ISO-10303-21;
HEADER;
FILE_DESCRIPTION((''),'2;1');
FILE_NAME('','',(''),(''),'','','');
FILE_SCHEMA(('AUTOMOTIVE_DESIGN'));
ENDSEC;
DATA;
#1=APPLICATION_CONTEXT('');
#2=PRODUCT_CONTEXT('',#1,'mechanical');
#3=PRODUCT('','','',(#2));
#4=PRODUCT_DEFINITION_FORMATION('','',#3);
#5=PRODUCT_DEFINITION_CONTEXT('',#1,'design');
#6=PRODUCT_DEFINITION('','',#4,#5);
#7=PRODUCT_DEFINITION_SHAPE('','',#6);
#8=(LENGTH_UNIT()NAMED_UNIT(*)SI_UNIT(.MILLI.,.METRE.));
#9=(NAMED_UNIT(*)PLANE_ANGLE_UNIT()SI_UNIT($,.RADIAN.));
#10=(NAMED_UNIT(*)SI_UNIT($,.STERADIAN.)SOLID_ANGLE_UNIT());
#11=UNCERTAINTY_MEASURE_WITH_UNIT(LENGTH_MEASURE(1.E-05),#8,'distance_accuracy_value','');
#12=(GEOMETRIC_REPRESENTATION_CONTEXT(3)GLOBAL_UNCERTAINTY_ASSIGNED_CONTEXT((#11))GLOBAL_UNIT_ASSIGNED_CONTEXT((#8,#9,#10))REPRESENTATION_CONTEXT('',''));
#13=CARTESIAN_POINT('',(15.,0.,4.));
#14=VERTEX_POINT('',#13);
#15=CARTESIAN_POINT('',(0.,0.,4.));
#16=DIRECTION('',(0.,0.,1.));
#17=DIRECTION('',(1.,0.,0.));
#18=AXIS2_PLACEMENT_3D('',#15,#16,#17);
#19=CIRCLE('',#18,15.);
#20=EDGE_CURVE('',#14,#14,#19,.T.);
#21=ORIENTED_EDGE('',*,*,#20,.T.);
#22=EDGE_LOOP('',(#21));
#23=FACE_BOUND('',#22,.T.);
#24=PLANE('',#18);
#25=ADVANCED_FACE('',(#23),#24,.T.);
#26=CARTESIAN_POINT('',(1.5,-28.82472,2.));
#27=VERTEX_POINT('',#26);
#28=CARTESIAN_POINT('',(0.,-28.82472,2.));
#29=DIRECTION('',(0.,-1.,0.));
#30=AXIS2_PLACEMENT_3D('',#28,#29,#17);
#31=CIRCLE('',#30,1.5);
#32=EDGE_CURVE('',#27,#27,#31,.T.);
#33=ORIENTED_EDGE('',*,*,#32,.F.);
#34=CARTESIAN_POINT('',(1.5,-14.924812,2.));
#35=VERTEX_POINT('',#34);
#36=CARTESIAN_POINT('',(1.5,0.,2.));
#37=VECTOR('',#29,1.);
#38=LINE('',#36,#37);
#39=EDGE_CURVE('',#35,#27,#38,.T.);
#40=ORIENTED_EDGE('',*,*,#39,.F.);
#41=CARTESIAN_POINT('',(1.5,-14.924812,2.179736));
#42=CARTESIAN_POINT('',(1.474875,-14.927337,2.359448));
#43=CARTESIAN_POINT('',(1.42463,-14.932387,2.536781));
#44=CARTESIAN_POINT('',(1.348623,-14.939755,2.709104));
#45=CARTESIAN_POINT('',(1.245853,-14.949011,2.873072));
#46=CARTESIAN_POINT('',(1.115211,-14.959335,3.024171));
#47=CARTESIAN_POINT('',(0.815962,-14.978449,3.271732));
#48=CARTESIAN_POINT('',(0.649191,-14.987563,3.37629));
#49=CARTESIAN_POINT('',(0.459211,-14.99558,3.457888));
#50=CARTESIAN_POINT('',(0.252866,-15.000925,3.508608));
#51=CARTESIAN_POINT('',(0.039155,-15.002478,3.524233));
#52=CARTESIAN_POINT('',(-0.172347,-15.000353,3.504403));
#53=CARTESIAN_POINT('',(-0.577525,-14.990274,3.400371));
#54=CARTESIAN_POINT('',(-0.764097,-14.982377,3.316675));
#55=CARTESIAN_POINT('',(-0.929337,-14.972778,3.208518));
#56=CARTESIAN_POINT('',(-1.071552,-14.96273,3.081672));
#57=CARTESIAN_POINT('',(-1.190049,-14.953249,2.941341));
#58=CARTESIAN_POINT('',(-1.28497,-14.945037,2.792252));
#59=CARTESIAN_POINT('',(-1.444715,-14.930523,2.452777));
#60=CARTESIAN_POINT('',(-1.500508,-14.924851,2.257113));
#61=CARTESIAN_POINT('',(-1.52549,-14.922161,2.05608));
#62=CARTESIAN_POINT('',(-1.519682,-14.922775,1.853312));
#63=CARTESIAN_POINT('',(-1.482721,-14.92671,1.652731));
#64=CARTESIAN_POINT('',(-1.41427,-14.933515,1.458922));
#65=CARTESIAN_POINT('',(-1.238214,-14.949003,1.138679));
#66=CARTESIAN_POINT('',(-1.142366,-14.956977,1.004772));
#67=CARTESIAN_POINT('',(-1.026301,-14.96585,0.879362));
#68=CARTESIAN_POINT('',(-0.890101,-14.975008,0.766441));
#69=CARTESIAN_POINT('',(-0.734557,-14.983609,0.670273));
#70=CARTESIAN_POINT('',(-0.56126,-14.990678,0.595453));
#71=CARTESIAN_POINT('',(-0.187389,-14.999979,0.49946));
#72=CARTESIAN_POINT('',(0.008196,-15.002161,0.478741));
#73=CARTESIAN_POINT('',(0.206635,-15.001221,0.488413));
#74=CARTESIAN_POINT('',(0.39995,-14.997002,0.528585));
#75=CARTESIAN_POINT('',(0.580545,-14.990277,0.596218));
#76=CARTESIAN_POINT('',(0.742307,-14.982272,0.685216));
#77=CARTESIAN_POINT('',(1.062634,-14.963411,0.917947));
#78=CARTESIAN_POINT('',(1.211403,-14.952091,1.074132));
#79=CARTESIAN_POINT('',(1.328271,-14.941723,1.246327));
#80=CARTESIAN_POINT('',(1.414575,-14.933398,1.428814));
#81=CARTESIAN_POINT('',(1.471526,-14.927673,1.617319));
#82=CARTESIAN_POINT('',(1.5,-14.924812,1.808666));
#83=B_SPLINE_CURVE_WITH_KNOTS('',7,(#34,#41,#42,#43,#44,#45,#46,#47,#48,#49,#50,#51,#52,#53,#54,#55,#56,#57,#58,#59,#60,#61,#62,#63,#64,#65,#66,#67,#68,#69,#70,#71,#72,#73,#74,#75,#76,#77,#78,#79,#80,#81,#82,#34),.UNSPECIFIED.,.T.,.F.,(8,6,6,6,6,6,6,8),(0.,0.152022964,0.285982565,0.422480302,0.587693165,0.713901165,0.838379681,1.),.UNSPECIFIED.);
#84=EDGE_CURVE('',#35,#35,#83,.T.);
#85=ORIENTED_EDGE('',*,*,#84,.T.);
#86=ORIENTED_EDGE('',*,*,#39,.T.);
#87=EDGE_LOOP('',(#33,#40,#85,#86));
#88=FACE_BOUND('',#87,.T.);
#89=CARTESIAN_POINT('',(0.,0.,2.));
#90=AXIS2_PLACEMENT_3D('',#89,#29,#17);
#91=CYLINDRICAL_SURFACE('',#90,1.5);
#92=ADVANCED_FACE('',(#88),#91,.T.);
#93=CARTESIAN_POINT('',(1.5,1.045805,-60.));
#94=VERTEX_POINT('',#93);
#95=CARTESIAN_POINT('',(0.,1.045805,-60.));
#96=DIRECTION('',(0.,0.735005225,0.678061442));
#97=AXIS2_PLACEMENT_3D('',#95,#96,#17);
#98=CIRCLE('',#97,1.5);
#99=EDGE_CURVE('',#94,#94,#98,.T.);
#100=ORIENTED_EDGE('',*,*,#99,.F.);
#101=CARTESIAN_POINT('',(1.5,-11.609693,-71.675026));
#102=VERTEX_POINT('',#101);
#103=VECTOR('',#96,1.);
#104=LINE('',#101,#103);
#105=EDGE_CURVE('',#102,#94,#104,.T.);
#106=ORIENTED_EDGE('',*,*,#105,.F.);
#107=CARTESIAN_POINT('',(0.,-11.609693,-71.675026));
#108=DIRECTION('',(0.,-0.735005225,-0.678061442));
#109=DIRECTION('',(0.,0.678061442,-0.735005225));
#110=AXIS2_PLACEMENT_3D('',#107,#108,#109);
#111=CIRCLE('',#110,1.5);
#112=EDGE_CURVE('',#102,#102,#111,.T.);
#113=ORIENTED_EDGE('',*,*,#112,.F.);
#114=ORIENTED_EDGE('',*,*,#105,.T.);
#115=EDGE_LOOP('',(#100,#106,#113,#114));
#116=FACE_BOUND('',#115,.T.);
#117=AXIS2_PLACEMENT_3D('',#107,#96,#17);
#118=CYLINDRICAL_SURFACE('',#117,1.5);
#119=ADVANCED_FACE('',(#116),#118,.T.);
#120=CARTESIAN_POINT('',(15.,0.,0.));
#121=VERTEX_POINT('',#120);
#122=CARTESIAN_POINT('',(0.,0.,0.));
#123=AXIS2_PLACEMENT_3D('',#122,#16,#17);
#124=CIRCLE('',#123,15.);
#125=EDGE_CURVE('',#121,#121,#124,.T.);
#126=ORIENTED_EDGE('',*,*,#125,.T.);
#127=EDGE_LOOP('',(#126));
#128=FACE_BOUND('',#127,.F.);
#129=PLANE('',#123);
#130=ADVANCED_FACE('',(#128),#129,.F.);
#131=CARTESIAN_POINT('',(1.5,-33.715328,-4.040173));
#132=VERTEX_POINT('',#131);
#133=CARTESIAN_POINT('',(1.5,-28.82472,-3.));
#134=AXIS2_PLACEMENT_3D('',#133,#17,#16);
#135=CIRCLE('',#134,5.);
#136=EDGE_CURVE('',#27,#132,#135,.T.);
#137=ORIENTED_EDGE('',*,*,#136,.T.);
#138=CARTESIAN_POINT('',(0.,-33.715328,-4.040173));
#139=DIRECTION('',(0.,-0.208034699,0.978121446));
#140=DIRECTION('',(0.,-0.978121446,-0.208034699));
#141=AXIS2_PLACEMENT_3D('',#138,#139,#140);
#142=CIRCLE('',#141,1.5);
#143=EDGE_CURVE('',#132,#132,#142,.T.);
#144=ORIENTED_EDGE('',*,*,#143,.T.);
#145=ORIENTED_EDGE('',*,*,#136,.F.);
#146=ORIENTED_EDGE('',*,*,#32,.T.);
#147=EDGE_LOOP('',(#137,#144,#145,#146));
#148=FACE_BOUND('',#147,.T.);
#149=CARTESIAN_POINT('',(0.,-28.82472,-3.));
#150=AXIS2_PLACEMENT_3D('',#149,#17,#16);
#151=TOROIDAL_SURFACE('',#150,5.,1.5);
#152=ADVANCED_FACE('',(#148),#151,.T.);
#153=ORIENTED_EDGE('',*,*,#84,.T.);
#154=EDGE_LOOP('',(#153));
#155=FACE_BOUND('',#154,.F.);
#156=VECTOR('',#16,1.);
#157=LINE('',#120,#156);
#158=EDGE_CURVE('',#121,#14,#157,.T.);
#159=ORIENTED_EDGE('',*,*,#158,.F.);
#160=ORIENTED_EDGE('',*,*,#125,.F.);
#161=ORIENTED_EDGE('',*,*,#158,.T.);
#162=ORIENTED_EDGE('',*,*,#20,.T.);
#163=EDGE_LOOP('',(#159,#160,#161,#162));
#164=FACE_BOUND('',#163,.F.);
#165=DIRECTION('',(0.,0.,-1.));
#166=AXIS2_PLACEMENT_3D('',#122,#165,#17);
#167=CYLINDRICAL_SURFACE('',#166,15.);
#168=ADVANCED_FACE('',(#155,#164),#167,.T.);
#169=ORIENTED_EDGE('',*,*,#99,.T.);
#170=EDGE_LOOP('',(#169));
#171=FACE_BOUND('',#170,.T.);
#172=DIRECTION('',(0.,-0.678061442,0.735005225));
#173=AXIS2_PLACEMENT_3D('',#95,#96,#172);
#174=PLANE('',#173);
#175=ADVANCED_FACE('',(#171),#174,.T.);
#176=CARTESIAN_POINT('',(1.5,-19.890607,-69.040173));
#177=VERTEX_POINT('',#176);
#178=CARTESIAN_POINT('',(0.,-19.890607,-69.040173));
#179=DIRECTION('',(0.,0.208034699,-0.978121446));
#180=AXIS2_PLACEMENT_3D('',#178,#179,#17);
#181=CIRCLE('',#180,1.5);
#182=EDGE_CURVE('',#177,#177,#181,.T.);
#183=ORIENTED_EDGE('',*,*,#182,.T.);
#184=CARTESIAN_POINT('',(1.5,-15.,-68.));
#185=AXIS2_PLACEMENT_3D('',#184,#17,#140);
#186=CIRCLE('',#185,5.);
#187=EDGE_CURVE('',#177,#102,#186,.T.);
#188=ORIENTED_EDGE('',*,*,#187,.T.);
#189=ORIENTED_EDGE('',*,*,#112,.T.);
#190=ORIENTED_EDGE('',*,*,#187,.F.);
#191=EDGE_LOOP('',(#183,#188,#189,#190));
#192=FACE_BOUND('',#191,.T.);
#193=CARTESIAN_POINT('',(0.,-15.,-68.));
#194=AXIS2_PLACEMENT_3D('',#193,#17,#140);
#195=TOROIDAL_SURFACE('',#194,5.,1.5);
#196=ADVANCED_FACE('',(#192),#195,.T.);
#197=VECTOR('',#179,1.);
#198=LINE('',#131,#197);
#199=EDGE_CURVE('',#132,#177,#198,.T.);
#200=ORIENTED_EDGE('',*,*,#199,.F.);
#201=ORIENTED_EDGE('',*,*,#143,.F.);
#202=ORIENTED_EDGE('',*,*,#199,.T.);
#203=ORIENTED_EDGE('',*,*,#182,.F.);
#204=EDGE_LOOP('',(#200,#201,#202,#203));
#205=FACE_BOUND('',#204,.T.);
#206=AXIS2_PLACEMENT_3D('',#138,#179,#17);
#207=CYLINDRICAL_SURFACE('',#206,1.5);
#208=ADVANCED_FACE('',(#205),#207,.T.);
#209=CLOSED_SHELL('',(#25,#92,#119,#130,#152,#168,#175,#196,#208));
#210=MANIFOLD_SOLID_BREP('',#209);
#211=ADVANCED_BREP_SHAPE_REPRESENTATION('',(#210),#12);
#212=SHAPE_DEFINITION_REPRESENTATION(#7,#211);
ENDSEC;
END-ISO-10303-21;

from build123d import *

# Parameters (mm, degrees)
F0_R     = 15
F1_DEPTH = 4
F2_R     = 1.5


with BuildPart() as f1:
    # F0 (on Top) → F1 (new body)
    with BuildSketch(Plane.XY):
        Circle(F0_R)
    extrude(amount=F1_DEPTH)

    # F4: sweep along a path in F3
    with BuildLine(Plane.YZ) as f4_path:
        Line((0, 2), (-28.8247203179, 2))
        ThreePointArc((-28.8247203179, 2), (-32.7106479726, 0.1463576184), (-33.7153275502, -4.0401734949))
        Line((-33.7153275502, -4.0401734949), (-19.8906072323, -69.0401734949))
        ThreePointArc((-19.8906072323, -69.0401734949), (-16.5160267602, -72.7646262038), (-11.6096927913, -71.6750261265))
        Line((-11.6096927913, -71.6750261265), (1.045805192, -60))
    # F2 (on Front) → F4 (sweep)
    with BuildSketch(Plane.XZ):
        with Locations((0, 2)):
            Circle(F2_R)
    sweep(path=f4_path.line)


solid = f1.part
